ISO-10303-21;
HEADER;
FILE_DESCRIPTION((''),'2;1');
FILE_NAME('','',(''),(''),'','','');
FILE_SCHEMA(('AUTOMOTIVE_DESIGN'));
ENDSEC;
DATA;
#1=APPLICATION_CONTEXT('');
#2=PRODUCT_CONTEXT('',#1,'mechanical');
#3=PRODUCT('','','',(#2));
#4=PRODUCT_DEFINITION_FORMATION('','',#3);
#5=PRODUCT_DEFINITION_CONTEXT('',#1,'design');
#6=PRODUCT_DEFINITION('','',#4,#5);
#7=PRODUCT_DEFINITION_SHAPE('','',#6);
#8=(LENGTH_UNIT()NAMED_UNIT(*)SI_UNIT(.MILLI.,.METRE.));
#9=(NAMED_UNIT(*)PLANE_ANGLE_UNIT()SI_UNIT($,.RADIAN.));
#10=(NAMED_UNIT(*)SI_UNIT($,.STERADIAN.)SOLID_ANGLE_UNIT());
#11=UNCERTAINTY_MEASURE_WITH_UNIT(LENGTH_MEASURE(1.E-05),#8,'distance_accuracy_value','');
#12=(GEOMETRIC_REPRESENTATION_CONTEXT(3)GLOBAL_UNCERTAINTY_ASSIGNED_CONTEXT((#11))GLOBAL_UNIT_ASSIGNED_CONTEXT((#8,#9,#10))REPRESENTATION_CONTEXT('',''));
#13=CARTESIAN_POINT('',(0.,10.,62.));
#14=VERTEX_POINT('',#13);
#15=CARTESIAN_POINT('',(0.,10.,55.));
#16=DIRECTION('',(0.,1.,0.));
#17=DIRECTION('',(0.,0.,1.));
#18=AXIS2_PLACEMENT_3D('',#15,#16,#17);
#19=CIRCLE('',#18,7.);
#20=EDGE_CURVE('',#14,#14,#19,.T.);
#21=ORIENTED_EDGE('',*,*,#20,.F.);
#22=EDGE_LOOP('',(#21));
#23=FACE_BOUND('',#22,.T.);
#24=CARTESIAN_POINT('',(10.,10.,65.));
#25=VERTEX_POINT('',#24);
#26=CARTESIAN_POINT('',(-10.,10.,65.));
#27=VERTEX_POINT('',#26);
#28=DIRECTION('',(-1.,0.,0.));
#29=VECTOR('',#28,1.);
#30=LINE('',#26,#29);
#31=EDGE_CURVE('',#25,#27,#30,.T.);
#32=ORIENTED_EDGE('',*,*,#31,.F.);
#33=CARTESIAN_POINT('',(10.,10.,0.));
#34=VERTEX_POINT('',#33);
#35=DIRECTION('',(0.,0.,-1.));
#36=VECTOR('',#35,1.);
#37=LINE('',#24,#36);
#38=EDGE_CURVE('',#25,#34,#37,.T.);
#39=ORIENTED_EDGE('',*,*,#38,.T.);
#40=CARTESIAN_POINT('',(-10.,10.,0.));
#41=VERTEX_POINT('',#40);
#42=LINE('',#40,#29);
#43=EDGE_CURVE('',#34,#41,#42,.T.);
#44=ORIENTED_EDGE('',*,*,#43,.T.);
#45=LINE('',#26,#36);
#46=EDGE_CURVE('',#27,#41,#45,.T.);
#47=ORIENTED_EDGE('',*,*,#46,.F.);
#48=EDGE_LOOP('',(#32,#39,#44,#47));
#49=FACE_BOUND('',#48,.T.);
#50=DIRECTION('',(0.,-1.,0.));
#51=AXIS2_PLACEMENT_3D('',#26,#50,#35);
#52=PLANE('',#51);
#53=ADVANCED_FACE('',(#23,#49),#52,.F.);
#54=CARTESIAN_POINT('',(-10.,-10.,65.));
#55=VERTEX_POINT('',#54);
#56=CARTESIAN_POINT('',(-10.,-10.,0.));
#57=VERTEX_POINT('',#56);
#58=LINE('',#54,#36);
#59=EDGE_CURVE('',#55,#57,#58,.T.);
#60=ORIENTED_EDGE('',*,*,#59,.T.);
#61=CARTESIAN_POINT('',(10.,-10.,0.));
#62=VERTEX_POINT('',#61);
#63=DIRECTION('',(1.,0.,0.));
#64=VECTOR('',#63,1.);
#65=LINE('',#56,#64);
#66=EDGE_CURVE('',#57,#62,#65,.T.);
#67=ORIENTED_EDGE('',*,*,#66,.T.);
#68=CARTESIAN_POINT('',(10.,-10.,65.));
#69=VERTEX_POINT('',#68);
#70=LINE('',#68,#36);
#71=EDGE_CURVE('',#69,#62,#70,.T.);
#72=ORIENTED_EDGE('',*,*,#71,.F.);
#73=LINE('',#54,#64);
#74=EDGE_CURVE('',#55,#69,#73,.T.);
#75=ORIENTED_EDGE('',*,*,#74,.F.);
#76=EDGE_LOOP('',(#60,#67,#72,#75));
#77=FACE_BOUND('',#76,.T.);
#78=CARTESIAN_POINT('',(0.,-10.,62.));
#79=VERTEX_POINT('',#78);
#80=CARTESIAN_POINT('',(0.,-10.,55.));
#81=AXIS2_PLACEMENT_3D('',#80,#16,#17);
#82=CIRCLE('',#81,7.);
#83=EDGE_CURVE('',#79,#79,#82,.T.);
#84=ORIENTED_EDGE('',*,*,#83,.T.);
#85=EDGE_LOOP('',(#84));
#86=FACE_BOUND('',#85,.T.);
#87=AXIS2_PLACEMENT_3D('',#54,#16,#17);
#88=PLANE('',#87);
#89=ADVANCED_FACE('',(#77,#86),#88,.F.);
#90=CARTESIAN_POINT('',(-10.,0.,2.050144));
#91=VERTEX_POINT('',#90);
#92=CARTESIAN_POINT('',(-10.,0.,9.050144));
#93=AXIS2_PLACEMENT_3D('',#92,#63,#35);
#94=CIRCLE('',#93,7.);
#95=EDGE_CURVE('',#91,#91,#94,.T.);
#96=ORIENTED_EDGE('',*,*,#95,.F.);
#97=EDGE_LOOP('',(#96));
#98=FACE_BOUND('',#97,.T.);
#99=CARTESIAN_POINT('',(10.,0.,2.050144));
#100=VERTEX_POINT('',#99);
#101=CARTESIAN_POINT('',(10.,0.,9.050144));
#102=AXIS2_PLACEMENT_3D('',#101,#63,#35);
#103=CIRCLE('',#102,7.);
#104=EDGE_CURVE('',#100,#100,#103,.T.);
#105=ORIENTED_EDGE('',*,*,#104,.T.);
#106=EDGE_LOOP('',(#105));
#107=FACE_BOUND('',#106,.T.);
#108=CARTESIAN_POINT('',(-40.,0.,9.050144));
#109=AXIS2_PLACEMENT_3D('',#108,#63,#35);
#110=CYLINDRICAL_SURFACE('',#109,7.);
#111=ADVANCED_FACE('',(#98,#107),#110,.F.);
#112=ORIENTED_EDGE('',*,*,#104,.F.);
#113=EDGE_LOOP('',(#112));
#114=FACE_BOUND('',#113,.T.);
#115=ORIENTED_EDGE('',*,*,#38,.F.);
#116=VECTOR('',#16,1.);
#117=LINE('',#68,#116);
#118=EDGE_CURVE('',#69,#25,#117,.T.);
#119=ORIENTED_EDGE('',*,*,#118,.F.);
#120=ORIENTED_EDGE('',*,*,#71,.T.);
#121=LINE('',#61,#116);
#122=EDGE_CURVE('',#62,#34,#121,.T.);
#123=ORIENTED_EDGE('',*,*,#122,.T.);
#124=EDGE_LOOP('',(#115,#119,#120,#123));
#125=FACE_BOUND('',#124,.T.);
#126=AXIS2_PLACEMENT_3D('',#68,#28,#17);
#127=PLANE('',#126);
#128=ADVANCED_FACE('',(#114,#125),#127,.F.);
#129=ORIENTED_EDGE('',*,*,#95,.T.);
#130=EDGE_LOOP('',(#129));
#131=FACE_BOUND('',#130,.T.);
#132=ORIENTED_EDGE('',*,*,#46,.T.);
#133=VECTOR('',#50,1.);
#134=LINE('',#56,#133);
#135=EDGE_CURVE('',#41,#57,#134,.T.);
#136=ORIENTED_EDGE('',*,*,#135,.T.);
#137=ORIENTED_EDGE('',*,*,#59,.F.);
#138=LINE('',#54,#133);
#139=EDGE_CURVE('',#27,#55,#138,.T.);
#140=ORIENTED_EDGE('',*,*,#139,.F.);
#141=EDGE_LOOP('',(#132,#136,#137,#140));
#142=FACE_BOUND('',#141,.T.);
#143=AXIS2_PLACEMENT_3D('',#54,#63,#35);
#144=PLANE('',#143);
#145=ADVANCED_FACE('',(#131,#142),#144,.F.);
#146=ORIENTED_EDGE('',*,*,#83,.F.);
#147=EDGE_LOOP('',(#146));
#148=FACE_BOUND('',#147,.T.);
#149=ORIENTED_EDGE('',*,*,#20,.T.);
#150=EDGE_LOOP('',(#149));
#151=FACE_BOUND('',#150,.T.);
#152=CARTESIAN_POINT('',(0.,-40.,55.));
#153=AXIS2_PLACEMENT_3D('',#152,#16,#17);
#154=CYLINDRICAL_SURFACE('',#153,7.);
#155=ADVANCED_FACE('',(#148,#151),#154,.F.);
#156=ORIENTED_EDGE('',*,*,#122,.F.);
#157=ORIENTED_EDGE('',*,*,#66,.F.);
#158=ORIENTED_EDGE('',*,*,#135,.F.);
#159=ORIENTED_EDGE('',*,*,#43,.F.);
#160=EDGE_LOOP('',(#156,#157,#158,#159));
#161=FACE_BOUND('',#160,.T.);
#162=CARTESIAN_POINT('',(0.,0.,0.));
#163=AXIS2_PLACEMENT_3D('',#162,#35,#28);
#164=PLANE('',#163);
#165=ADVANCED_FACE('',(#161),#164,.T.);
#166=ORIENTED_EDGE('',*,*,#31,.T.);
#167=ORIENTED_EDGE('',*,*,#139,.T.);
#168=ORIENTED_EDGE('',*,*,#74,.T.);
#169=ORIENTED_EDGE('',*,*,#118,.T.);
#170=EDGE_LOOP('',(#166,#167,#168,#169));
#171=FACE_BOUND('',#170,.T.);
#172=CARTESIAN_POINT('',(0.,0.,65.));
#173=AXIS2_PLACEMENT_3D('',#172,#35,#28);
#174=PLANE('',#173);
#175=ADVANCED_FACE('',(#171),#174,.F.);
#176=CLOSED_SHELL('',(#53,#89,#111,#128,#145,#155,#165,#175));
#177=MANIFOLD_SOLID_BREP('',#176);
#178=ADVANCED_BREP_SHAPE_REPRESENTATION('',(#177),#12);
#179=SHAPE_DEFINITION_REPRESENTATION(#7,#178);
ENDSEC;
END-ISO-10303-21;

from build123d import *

# Parameters (mm, degrees)
SZKIC1_W                    = 20
SZKIC1_H                    = 20
DODANIE_WYCI_GNI_CIE1_DEPTH = 65
SZKIC2_R                    = 7
WYTNIJ_WYCI_GNI_CIE1_DEPTH  = 50
SZKIC3_R                    = 7
WYTNIJ_WYCI_GNI_CIE2_DEPTH  = 50


with BuildPart() as part:
    # Szkic1 → Dodanie-wyciągnięcie1 (new body)
    with BuildSketch(Plane.XY):
        Rectangle(SZKIC1_W, SZKIC1_H)
    extrude(amount=DODANIE_WYCI_GNI_CIE1_DEPTH)

    # Szkic2 → Wytnij-wyciągnięcie1 (cut)
    with BuildSketch(Plane(origin=(10, 0, 0), x_dir=(0, 0, -1), z_dir=(1, 0, 0))):
        with Locations((-9.050144452, 0)):
            Circle(SZKIC2_R)
    extrude(amount=-WYTNIJ_WYCI_GNI_CIE1_DEPTH, mode=Mode.SUBTRACT)

    # Szkic3 → Wytnij-wyciągnięcie2 (cut)
    with BuildSketch(Plane(origin=(0, 10, 0), x_dir=(1, 0, 0), z_dir=(0, 1, 0))):
        with Locations(Location((0, -55, 0), (0, 0, 270))):
            Circle(SZKIC3_R)
    extrude(amount=-WYTNIJ_WYCI_GNI_CIE2_DEPTH, mode=Mode.SUBTRACT)


solid = part.part
